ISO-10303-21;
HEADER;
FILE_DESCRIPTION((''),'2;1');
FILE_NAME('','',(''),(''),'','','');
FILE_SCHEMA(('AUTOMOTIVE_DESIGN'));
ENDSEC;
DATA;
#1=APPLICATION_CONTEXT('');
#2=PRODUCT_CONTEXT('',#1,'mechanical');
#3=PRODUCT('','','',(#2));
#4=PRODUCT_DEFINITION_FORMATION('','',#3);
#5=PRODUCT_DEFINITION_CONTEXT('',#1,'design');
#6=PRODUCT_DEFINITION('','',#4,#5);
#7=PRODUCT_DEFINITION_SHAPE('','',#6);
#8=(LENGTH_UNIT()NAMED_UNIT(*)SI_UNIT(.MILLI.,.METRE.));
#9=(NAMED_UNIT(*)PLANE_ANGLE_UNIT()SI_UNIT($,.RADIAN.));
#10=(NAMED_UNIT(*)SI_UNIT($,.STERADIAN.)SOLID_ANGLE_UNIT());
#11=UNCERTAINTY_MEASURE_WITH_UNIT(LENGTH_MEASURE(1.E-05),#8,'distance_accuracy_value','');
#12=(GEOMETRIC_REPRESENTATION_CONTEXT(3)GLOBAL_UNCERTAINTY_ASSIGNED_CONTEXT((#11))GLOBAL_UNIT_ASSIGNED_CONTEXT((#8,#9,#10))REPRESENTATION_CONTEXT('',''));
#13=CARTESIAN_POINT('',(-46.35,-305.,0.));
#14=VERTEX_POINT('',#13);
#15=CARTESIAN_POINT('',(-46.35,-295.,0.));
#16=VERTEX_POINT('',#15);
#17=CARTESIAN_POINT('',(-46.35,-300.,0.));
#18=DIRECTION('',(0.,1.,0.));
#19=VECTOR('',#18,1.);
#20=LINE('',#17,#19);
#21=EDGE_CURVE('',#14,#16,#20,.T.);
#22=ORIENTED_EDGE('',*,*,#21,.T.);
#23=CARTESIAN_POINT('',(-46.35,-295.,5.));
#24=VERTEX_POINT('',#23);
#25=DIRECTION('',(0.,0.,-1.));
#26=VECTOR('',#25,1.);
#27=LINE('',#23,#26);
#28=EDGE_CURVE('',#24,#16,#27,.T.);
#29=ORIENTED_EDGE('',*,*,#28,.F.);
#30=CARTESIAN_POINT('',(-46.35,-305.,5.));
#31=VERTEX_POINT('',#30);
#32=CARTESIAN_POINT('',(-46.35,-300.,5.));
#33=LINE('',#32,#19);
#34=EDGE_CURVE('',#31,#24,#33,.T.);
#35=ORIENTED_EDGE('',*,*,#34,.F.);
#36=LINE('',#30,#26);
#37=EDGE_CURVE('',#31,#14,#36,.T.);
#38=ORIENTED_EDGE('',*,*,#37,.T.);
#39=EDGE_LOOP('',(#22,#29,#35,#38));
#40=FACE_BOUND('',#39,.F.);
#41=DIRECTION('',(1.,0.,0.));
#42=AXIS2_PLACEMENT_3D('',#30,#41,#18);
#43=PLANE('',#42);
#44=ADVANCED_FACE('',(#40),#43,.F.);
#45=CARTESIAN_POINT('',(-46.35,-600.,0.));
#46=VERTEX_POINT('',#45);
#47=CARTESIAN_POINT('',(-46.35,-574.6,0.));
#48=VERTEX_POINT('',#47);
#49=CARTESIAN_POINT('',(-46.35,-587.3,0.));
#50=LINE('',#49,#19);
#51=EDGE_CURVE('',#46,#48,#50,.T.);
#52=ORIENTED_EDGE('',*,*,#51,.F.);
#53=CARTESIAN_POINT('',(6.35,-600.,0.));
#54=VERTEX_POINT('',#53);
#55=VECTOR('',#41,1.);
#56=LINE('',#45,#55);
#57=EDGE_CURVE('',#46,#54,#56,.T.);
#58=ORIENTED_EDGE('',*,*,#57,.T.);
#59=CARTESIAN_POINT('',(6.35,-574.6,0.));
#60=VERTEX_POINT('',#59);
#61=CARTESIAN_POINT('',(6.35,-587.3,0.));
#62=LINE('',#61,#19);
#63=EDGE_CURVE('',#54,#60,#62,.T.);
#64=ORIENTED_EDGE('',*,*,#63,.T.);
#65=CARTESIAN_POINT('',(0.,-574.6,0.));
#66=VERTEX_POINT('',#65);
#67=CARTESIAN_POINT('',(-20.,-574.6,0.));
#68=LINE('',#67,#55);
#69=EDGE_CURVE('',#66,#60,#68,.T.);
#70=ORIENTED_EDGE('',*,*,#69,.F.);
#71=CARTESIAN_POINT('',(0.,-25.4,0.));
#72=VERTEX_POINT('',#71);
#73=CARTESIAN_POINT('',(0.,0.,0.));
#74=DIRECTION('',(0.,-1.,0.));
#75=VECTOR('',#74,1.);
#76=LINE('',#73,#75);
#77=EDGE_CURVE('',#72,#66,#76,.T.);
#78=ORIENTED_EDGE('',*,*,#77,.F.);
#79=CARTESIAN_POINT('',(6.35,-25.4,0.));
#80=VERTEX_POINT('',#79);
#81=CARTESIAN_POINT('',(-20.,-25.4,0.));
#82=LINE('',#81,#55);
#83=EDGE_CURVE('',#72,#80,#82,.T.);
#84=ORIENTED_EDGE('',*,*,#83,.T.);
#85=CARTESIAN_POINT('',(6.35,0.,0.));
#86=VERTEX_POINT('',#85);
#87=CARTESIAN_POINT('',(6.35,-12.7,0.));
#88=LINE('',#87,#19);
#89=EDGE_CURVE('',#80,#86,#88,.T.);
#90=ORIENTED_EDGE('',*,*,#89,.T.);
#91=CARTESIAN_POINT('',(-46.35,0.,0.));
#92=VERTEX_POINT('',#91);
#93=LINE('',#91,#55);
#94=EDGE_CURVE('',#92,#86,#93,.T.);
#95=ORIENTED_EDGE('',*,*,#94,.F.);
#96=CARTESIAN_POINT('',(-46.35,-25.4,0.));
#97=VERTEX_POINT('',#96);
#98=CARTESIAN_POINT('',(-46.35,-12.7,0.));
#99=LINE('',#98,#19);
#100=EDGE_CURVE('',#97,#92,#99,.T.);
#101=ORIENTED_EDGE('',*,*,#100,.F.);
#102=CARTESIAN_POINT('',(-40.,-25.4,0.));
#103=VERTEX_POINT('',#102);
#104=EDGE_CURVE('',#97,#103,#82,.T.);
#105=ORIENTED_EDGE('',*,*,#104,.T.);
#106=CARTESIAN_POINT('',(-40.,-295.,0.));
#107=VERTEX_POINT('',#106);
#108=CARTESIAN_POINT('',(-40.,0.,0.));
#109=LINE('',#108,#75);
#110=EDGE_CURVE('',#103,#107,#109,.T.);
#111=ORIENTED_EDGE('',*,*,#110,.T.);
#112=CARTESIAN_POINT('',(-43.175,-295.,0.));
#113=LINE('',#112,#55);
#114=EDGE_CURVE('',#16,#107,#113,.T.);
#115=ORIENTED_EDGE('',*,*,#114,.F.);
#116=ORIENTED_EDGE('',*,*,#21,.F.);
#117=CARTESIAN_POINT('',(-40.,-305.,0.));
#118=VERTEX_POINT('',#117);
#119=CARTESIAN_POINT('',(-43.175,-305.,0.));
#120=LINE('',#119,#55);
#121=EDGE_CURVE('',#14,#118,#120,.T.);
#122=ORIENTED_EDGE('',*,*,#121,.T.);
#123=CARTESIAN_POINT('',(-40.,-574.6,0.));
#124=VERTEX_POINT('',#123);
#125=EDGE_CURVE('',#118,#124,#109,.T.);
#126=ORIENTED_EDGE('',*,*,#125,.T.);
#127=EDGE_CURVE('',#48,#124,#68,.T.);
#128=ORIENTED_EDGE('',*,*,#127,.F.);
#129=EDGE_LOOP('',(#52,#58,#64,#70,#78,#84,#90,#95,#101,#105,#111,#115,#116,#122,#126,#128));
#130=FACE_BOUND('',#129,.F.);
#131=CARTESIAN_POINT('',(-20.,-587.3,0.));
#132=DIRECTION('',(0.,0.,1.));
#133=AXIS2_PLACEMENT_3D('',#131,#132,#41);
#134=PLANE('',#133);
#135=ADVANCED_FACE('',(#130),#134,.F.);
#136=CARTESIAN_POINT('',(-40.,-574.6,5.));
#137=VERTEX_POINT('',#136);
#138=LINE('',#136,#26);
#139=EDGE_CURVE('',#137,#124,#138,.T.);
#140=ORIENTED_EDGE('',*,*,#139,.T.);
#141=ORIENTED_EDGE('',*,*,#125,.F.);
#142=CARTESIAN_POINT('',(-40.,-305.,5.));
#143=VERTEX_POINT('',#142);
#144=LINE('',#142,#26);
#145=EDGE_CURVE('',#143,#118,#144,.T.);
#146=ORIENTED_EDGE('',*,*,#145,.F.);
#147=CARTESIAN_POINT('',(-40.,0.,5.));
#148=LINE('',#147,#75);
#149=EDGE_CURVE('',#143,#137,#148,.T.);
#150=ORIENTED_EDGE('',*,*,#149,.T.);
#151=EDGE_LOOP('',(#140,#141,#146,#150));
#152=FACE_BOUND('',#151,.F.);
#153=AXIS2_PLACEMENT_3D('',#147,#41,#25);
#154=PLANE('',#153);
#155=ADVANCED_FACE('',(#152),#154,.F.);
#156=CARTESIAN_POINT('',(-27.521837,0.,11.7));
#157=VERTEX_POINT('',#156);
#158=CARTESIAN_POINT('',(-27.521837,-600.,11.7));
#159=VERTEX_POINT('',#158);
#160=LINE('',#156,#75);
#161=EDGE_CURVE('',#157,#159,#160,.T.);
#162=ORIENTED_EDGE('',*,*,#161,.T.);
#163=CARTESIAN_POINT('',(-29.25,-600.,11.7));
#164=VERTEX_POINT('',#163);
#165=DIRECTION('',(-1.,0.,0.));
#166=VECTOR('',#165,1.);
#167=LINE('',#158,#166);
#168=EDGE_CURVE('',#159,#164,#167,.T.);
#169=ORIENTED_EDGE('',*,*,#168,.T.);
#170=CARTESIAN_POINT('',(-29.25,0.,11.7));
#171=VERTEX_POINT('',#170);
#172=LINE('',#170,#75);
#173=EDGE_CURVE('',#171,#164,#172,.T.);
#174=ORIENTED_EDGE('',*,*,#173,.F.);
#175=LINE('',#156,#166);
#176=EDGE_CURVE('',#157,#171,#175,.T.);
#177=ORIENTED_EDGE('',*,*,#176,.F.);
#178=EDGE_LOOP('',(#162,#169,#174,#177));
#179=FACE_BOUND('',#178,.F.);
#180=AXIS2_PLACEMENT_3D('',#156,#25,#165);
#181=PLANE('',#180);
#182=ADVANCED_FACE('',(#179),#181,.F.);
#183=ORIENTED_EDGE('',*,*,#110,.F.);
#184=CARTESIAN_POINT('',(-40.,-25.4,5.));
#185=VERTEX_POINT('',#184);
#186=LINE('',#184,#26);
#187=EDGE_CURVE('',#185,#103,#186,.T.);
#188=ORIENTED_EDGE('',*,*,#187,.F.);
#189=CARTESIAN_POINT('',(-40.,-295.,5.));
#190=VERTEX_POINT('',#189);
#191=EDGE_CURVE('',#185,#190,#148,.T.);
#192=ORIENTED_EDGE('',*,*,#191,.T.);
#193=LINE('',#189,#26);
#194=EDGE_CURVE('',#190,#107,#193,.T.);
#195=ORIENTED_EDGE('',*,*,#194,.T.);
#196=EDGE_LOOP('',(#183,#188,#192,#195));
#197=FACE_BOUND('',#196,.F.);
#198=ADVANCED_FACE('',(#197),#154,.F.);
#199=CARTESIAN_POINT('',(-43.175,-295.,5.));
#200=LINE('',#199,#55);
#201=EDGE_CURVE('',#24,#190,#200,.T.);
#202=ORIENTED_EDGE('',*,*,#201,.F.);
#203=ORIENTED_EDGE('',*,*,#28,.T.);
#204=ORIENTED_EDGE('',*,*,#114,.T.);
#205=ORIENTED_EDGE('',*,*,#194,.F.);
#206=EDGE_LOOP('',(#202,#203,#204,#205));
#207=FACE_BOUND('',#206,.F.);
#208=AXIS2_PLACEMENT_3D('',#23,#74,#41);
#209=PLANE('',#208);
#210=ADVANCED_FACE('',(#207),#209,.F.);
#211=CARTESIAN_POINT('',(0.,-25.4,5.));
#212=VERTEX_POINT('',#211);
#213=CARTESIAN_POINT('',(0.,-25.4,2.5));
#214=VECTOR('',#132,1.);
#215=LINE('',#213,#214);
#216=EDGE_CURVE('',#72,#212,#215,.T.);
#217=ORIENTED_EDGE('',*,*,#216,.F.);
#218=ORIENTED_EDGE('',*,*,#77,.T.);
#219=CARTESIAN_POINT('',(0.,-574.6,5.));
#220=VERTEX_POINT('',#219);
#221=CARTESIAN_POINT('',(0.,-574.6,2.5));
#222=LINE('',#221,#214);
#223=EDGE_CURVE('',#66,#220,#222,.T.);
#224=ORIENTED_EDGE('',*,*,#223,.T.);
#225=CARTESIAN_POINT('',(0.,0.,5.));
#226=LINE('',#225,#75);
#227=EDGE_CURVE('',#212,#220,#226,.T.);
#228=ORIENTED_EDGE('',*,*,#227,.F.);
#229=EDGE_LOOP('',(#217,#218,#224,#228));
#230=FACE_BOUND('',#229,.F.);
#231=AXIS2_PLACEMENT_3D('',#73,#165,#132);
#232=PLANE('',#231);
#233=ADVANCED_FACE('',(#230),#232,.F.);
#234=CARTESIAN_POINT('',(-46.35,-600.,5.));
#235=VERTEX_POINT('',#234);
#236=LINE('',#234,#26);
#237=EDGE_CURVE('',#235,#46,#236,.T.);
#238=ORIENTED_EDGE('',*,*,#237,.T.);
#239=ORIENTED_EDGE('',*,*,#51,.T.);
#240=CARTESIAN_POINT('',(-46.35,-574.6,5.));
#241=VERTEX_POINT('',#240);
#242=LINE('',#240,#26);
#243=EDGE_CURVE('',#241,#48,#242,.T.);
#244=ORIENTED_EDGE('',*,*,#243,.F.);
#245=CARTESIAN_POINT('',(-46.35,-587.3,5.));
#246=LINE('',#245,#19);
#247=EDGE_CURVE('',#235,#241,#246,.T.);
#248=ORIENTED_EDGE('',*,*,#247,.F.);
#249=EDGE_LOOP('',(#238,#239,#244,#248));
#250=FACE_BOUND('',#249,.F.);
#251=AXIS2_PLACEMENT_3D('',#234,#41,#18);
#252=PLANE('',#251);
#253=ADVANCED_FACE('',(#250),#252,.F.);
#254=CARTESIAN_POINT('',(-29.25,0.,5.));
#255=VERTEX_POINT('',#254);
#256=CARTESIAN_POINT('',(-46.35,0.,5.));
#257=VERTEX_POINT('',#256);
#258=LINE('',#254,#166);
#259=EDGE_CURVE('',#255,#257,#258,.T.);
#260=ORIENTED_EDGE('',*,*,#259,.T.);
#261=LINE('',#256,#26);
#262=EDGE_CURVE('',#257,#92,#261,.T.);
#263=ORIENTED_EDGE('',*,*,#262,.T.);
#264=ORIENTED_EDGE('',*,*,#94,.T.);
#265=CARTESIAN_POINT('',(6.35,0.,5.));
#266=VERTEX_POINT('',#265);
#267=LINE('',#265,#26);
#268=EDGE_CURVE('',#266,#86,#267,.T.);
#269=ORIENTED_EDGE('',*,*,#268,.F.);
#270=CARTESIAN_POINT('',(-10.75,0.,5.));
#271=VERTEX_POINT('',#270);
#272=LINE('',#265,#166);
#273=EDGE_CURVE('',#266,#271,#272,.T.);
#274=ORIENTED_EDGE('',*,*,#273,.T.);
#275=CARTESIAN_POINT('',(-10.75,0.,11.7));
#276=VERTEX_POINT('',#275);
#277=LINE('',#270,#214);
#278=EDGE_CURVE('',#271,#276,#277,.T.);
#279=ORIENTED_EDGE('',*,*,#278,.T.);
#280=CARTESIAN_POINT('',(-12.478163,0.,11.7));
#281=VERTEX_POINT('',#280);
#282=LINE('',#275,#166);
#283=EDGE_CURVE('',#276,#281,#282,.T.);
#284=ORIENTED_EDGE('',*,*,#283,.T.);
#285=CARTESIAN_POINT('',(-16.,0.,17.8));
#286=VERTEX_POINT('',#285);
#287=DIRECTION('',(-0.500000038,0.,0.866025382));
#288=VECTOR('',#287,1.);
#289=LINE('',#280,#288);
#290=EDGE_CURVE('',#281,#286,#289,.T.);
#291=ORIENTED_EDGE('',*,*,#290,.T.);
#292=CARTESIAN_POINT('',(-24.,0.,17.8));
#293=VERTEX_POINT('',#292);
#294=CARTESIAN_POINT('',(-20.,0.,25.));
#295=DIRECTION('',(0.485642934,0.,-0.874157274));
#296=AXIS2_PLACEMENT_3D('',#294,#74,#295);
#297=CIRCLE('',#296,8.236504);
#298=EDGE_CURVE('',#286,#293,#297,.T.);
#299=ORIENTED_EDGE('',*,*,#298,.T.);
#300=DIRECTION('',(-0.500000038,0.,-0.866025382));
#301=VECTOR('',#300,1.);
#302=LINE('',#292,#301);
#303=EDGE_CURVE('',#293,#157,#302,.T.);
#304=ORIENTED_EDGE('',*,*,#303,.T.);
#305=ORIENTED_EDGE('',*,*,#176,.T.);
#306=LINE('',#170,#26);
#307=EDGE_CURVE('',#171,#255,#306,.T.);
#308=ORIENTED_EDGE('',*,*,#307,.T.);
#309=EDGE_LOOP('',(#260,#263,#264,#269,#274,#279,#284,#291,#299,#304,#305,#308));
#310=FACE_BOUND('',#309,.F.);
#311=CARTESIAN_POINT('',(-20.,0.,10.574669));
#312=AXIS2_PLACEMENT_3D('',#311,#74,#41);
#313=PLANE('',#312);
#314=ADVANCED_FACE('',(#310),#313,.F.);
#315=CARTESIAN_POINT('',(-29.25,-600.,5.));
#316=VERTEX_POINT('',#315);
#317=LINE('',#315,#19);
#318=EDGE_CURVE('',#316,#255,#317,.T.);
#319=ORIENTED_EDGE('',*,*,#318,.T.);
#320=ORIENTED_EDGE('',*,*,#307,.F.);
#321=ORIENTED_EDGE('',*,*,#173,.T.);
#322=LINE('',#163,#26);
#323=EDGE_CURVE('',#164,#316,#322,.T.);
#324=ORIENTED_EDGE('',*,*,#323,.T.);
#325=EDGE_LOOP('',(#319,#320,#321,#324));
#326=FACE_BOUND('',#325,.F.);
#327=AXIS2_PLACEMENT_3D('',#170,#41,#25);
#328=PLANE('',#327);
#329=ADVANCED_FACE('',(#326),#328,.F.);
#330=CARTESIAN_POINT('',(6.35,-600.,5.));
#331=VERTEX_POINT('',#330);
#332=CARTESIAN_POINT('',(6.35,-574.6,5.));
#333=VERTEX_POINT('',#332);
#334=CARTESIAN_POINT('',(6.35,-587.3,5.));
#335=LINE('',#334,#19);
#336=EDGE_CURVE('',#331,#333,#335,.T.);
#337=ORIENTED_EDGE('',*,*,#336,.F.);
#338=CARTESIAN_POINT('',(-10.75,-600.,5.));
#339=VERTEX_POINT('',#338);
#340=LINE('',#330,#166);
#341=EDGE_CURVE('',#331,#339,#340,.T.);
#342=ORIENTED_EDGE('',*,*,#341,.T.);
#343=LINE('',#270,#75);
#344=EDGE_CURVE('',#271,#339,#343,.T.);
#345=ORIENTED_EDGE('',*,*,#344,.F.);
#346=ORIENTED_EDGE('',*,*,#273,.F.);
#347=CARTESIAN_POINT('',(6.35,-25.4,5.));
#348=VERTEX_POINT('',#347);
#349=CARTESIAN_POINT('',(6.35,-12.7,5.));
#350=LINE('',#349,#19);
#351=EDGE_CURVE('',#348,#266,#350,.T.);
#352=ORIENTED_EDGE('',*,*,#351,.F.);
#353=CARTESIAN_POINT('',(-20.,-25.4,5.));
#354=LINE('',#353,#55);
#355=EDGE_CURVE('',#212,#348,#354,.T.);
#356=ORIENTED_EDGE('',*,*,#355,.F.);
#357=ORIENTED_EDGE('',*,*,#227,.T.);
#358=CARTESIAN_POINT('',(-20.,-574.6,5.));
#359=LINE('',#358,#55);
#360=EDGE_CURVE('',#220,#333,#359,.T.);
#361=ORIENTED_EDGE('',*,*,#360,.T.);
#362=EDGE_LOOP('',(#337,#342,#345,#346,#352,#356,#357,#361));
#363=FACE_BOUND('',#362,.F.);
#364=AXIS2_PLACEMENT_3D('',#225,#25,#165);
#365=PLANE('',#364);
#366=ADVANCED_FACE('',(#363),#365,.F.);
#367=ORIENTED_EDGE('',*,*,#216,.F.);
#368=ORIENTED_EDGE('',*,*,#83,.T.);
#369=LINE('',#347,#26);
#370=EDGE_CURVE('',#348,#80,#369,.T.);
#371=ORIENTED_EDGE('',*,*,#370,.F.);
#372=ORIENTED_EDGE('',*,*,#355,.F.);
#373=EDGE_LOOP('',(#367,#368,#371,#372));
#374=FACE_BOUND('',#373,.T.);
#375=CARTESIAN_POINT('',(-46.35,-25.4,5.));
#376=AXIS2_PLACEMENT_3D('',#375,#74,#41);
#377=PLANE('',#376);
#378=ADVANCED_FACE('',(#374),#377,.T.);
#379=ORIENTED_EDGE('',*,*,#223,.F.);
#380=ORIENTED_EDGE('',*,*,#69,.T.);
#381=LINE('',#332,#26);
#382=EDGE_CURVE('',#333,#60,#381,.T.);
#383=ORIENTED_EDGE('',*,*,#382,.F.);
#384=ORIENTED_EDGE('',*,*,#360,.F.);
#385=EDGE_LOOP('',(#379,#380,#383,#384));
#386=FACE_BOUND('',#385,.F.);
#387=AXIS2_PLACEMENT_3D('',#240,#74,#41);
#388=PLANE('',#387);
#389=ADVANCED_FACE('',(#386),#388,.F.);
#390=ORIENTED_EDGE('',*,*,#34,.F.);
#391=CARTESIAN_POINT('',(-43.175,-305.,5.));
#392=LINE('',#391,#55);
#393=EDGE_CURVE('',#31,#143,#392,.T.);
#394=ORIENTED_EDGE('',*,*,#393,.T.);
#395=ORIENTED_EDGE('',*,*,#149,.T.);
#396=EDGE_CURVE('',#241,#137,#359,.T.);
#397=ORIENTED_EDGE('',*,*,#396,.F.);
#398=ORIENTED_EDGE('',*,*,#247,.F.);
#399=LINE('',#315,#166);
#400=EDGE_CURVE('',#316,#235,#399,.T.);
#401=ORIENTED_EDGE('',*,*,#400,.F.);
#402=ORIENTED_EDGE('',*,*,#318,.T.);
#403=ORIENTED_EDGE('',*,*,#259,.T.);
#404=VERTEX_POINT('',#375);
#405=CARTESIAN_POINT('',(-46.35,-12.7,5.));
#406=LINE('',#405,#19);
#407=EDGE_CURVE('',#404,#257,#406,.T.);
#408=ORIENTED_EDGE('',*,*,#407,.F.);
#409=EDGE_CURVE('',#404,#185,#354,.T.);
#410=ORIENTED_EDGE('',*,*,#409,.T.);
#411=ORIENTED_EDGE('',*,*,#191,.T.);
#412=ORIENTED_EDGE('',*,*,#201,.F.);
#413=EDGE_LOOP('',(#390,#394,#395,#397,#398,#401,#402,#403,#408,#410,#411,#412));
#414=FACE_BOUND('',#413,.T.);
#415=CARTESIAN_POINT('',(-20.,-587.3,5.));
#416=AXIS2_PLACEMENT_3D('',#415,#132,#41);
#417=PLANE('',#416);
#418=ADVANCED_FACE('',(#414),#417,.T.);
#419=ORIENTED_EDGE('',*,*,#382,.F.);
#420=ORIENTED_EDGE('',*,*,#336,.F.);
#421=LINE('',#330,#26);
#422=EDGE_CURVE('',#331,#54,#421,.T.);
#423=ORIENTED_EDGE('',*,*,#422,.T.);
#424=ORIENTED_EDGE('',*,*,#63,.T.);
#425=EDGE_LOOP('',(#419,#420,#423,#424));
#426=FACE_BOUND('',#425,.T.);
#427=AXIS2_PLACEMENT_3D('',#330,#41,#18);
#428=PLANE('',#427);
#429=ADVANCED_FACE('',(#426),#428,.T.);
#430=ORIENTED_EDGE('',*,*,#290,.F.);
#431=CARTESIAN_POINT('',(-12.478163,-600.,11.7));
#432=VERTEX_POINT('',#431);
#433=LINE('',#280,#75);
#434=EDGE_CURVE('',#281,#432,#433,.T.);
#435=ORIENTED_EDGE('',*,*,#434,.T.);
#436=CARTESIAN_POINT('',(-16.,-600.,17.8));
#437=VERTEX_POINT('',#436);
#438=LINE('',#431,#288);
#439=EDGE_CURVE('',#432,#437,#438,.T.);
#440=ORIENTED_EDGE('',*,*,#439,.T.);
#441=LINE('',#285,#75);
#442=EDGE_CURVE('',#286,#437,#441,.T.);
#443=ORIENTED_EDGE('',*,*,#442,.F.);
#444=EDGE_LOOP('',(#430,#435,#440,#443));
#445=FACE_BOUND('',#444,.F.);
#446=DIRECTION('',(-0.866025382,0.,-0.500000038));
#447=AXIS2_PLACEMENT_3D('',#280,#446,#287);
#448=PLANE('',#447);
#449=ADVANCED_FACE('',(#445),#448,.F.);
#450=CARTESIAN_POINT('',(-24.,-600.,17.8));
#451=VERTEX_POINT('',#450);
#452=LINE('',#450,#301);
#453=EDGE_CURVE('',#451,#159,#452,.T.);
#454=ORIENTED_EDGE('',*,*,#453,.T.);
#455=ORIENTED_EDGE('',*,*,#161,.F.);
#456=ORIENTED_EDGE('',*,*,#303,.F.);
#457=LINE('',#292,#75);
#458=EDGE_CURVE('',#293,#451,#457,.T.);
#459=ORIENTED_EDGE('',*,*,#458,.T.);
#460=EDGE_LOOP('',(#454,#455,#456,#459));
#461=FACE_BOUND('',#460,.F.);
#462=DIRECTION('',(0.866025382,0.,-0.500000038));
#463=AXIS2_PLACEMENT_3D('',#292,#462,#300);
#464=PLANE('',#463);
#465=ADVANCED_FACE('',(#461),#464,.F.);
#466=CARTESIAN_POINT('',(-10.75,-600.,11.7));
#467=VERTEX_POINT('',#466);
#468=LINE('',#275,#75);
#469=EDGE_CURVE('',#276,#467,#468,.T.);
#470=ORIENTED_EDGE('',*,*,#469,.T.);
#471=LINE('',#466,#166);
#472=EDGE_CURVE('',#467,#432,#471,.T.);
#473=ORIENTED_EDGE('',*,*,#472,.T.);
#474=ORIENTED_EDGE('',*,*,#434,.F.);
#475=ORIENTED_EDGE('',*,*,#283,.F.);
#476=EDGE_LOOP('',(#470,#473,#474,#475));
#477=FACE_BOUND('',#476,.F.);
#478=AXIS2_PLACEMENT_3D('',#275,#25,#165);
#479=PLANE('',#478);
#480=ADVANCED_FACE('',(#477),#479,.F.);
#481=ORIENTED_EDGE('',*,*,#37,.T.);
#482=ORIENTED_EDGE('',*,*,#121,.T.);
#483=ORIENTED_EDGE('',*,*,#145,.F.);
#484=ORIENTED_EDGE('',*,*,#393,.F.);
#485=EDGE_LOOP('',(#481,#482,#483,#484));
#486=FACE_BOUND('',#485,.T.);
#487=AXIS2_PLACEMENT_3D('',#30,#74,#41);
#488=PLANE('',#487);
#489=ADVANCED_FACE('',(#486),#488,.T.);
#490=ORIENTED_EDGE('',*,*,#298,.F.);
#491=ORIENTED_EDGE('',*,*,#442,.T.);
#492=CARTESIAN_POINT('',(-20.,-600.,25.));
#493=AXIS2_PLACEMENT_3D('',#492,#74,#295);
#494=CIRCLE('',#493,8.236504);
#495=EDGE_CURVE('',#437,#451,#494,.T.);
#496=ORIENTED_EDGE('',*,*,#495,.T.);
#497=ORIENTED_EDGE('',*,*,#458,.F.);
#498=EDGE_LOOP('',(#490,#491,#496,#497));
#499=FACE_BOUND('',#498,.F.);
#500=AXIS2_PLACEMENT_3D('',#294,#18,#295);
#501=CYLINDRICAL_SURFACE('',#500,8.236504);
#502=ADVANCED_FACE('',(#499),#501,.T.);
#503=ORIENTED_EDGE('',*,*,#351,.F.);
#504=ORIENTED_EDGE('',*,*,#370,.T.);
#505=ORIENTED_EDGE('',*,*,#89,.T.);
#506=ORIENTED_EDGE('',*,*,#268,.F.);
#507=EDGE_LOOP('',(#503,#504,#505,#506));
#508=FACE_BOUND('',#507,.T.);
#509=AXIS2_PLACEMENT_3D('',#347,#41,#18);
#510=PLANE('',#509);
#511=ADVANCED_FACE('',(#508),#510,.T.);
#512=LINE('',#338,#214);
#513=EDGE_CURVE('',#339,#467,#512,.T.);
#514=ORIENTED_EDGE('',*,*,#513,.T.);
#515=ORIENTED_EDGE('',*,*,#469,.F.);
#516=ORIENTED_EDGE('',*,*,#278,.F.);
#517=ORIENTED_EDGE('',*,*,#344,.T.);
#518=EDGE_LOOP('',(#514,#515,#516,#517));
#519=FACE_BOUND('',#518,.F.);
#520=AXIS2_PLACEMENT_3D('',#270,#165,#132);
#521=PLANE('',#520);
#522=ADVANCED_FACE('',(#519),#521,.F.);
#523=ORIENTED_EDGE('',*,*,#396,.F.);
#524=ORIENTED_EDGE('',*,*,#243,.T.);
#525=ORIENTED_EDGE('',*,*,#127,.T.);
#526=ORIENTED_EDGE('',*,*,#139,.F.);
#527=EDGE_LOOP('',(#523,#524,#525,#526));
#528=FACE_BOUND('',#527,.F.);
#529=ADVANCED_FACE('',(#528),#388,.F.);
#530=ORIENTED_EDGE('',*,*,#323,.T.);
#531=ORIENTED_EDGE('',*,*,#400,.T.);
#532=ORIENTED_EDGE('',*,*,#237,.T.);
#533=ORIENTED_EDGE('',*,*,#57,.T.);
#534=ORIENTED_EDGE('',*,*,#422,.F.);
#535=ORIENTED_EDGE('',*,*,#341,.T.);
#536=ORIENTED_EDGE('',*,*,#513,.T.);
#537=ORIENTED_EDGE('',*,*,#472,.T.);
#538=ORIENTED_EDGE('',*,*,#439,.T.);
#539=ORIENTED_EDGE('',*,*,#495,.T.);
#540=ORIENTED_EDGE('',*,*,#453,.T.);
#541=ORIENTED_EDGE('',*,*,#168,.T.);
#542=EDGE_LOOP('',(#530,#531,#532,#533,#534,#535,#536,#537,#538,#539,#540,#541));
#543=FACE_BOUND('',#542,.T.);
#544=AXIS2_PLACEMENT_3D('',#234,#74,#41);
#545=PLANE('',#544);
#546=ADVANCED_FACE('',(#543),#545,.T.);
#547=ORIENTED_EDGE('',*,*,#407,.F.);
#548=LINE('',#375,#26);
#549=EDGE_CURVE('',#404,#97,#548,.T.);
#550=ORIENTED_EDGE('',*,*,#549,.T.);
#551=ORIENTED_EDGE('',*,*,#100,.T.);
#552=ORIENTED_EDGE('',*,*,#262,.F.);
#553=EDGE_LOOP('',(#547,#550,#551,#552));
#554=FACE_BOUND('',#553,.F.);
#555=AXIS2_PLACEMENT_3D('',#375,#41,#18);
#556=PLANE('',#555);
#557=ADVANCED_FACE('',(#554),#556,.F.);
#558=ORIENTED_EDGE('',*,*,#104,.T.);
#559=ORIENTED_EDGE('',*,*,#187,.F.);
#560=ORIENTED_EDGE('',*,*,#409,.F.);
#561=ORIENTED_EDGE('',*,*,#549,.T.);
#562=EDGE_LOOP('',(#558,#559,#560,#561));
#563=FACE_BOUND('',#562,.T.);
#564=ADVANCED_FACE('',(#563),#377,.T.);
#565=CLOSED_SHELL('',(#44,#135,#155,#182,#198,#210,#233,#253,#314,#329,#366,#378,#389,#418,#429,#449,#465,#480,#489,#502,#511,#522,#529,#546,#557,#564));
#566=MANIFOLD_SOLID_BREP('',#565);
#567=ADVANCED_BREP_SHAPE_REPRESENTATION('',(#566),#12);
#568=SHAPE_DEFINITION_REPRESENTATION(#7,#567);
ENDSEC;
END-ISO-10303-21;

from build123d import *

# Parameters (mm, degrees)
F1_DEPTH = 600
F2_W     = 52.7
F2_H     = 25.4
F3_DEPTH = 5
F4_W     = 6.35
F4_H     = 10
F5_DEPTH = 5


with BuildPart() as f1:
    # F0 (on Front) → F1 (new body)
    with BuildSketch(Plane.XZ):
        with BuildLine():
            Line((-40, 0), (0, 0))
            Line((0, 0), (0, 5))
            Line((0, 5), (-10.75, 5))
            Line((-10.75, 5), (-10.75, 11.7))
            Line((-10.75, 11.7), (-12.478163, 11.7))
            Line((-12.478163, 11.7), (-16, 17.8))
            ThreePointArc((-16, 17.8), (-20, 33.236504), (-24, 17.8))
            Line((-24, 17.8), (-27.521837, 11.7))
            Line((-27.521837, 11.7), (-29.25, 11.7))
            Line((-29.25, 11.7), (-29.25, 5))
            Line((-29.25, 5), (-40, 5))
            Line((-40, 5), (-40, 0))
        make_face()
    extrude(amount=F1_DEPTH)

    # F2 (on face) → F3 (join, through all)
    with BuildSketch(Plane.XY.offset(5)):
        with Locations((-20, -587.3)):
            Rectangle(F2_W, F2_H)
        with Locations((-20, -12.7)):
            Rectangle(F2_W, F2_H)
    extrude(amount=-F3_DEPTH)

    # F4 (on face) → F5 (join, through all)
    with BuildSketch(Plane.XY.offset(5)):
        with Locations((-43.175, -300)):
            Rectangle(F4_W, F4_H)
    extrude(amount=-F5_DEPTH)


solid = f1.part
